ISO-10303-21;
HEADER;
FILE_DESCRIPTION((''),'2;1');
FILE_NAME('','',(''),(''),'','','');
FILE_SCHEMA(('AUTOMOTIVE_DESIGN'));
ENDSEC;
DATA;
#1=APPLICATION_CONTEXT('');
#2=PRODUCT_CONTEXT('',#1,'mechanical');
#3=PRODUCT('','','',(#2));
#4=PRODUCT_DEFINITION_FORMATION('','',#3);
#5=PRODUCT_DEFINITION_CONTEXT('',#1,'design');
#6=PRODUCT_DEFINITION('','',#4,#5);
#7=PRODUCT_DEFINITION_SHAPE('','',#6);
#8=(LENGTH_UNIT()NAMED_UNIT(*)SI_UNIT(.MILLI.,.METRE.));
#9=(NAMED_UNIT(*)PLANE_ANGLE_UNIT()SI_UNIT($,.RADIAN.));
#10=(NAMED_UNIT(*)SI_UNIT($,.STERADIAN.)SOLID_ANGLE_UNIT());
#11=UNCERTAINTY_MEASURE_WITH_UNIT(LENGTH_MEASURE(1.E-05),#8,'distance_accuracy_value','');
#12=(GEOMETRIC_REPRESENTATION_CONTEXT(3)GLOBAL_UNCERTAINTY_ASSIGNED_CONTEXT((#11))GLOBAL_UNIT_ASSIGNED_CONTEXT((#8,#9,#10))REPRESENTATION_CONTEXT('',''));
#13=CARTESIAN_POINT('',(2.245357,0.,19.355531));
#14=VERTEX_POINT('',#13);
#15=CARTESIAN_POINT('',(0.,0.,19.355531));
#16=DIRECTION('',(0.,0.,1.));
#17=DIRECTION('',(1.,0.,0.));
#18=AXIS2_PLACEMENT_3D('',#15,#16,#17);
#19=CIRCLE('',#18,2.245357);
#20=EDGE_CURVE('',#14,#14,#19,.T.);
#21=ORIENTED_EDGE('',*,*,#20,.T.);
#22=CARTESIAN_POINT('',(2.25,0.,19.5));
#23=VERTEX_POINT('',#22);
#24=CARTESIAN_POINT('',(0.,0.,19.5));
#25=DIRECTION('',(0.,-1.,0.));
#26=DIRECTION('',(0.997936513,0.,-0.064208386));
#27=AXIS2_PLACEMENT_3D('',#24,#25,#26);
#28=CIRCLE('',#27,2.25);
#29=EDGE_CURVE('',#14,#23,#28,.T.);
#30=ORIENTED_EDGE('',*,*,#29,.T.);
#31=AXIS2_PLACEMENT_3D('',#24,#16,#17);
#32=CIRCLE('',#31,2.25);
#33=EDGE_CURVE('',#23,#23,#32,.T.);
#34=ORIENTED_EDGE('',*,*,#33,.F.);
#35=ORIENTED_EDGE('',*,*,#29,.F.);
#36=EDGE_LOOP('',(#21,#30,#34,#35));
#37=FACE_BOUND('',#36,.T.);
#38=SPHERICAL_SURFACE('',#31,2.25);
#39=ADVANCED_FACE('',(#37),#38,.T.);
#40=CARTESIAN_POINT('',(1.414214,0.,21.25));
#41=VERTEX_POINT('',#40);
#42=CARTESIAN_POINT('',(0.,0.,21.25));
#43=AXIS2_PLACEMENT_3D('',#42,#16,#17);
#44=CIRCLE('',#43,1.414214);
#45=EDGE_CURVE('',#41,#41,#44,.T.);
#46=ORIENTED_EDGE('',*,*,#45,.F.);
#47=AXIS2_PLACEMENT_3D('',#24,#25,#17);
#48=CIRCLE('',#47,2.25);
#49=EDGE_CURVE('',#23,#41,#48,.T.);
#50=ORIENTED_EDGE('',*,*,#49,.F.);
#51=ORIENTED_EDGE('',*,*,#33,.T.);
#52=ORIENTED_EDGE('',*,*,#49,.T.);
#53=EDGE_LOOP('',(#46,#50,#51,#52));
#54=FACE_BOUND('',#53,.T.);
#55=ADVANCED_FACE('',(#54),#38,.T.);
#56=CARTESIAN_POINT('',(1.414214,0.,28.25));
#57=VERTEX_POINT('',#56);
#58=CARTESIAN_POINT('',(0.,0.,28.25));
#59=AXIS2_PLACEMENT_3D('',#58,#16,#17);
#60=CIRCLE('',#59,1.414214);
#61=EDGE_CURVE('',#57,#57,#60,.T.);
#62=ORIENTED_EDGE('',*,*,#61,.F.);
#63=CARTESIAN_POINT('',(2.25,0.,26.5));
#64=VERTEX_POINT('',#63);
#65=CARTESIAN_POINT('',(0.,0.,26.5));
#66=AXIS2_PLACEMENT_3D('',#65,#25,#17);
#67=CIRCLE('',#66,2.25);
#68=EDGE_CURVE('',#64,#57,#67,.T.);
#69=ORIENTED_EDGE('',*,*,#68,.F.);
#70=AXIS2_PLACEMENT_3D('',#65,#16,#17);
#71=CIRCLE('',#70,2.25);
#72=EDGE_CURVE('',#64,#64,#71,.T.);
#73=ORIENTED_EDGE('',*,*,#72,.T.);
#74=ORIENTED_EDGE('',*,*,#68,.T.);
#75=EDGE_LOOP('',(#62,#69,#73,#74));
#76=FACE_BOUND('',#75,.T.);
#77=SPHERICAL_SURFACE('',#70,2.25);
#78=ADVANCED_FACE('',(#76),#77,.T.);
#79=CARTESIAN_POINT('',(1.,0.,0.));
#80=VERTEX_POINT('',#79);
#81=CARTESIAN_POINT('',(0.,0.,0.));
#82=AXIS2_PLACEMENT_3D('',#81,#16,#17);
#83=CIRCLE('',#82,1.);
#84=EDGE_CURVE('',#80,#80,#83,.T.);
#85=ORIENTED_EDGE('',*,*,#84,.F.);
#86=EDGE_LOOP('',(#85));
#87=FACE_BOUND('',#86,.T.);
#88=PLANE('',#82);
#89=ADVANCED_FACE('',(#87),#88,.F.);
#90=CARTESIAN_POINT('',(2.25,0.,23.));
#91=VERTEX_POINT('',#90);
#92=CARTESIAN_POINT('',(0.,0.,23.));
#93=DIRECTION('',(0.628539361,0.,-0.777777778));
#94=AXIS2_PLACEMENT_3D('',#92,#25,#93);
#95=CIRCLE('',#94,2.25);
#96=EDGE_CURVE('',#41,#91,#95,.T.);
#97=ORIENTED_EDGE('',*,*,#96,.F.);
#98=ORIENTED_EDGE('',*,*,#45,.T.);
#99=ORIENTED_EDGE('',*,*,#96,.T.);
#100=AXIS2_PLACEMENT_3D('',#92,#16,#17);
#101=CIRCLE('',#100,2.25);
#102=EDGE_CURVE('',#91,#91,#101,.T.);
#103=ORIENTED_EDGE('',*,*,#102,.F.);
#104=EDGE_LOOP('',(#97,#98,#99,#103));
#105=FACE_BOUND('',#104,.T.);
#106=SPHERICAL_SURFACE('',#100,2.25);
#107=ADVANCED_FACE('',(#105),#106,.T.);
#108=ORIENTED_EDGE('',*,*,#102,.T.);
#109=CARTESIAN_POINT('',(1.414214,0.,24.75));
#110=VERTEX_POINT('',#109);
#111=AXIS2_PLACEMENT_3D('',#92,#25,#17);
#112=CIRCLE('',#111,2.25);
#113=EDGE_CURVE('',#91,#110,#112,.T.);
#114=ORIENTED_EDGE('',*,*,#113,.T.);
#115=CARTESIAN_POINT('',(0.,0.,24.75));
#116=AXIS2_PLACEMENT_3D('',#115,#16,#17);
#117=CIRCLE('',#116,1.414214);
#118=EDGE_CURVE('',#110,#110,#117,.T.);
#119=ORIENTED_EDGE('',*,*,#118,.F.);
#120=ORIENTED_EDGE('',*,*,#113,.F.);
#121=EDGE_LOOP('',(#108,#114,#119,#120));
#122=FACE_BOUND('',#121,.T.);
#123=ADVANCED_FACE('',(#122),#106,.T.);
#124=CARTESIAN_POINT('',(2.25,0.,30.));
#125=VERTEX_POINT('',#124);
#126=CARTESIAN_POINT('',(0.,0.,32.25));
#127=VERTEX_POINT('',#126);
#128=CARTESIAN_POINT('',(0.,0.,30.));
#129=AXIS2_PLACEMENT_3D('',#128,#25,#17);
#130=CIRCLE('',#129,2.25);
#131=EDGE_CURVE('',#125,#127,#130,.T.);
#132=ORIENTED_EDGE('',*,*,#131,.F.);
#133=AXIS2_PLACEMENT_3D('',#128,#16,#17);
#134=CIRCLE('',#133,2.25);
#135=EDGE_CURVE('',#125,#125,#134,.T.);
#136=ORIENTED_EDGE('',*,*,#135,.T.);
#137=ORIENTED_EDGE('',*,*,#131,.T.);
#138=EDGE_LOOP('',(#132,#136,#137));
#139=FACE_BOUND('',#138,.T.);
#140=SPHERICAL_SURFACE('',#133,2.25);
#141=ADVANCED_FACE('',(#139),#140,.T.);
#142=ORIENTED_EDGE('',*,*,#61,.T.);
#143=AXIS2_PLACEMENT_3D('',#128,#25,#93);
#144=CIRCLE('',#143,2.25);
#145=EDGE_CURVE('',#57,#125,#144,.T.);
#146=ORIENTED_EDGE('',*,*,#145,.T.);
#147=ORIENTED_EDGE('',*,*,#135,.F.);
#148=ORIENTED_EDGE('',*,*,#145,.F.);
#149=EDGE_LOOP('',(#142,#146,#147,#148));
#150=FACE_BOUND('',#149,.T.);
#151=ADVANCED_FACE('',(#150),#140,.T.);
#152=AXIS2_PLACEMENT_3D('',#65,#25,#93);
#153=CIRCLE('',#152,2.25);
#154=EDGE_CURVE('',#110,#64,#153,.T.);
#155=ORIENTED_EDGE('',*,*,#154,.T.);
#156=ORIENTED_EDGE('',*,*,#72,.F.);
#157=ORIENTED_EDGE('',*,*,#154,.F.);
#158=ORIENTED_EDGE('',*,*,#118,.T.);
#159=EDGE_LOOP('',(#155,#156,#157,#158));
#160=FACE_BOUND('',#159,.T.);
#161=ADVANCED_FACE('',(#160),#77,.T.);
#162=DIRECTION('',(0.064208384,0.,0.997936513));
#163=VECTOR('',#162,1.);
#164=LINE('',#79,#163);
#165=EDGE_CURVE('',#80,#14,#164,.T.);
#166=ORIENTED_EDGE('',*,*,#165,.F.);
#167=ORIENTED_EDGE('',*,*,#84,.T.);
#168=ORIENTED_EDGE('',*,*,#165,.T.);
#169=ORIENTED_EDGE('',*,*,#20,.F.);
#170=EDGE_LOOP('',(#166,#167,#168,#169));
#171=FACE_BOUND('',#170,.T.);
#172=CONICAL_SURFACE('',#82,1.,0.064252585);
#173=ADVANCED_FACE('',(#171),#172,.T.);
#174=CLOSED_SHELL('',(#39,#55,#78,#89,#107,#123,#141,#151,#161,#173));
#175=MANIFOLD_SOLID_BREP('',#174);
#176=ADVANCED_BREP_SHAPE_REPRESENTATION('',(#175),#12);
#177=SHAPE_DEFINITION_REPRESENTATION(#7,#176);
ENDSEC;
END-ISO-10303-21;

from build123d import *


with BuildPart() as f1:
    # F0 (on Front) → F1 (revolve)
    with BuildSketch(Plane.XZ):
        with BuildLine():
            ThreePointArc((2.25, 30), (1.5909902577, 31.5909902577), (0, 32.25))
            Line((0, 32.25), (0, 30))
            Line((0, 30), (0, 28.75))
            ThreePointArc((0, 28.75), (0.75, 28.6213203436), (1.4142135624, 28.25))
            ThreePointArc((1.4142135624, 28.25), (2.0303300859, 29.0303300859), (2.25, 30))
        make_face()
        with BuildLine():
            Line((0, 28.75), (0, 27.75))
            ThreePointArc((0, 27.75), (0.75, 27.8786796564), (1.4142135624, 28.25))
            ThreePointArc((1.4142135624, 28.25), (0.75, 28.6213203436), (0, 28.75))
        make_face()
        with BuildLine():
            Line((0, 27.75), (0, 25.25))
            ThreePointArc((0, 25.25), (0.75, 25.1213203436), (1.4142135624, 24.75))
            ThreePointArc((1.4142135624, 24.75), (2.0303300859, 25.5303300859), (2.25, 26.5))
            ThreePointArc((2.25, 26.5), (2.0303300859, 27.4696699141), (1.4142135624, 28.25))
            ThreePointArc((1.4142135624, 28.25), (0.75, 27.8786796564), (0, 27.75))
        make_face()
        with BuildLine():
            Line((0, 25.25), (0, 24.25))
            ThreePointArc((0, 24.25), (0.75, 24.3786796564), (1.4142135624, 24.75))
            ThreePointArc((1.4142135624, 24.75), (0.75, 25.1213203436), (0, 25.25))
        make_face()
        with BuildLine():
            Line((0, 24.25), (0, 21.75))
            ThreePointArc((0, 21.75), (0.75, 21.6213203436), (1.4142135624, 21.25))
            ThreePointArc((1.4142135624, 21.25), (2.0303300859, 22.0303300859), (2.25, 23))
            ThreePointArc((2.25, 23), (2.0303300859, 23.9696699141), (1.4142135624, 24.75))
            ThreePointArc((1.4142135624, 24.75), (0.75, 24.3786796564), (0, 24.25))
        make_face()
        with BuildLine():
            Line((0, 21.75), (0, 20.75))
            ThreePointArc((0, 20.75), (0.75, 20.8786796564), (1.4142135624, 21.25))
            ThreePointArc((1.4142135624, 21.25), (0.75, 21.6213203436), (0, 21.75))
        make_face()
        with BuildLine():
            Line((0, 20.75), (0, 17.25))
            ThreePointArc((0, 17.25), (1.5390654723, 17.8587268747), (2.2453571536, 19.3555311361))
            ThreePointArc((2.2453571536, 19.3555311361), (2.2488389889, 19.4277282755), (2.25, 19.5))
            ThreePointArc((2.25, 19.5), (2.0303300859, 20.4696699141), (1.4142135624, 21.25))
            ThreePointArc((1.4142135624, 21.25), (0.75, 20.8786796564), (0, 20.75))
        make_face()
        with BuildLine():
            Line((0, 17.25), (0, 0))
            Line((0, 0), (1, 0))
            Line((1, 0), (2.2453571536, 19.3555311361))
            ThreePointArc((2.2453571536, 19.3555311361), (1.5390654723, 17.8587268747), (0, 17.25))
        make_face()
    revolve(axis=Axis((0, 0, 15), (0, 0, 1)))


solid = f1.part
